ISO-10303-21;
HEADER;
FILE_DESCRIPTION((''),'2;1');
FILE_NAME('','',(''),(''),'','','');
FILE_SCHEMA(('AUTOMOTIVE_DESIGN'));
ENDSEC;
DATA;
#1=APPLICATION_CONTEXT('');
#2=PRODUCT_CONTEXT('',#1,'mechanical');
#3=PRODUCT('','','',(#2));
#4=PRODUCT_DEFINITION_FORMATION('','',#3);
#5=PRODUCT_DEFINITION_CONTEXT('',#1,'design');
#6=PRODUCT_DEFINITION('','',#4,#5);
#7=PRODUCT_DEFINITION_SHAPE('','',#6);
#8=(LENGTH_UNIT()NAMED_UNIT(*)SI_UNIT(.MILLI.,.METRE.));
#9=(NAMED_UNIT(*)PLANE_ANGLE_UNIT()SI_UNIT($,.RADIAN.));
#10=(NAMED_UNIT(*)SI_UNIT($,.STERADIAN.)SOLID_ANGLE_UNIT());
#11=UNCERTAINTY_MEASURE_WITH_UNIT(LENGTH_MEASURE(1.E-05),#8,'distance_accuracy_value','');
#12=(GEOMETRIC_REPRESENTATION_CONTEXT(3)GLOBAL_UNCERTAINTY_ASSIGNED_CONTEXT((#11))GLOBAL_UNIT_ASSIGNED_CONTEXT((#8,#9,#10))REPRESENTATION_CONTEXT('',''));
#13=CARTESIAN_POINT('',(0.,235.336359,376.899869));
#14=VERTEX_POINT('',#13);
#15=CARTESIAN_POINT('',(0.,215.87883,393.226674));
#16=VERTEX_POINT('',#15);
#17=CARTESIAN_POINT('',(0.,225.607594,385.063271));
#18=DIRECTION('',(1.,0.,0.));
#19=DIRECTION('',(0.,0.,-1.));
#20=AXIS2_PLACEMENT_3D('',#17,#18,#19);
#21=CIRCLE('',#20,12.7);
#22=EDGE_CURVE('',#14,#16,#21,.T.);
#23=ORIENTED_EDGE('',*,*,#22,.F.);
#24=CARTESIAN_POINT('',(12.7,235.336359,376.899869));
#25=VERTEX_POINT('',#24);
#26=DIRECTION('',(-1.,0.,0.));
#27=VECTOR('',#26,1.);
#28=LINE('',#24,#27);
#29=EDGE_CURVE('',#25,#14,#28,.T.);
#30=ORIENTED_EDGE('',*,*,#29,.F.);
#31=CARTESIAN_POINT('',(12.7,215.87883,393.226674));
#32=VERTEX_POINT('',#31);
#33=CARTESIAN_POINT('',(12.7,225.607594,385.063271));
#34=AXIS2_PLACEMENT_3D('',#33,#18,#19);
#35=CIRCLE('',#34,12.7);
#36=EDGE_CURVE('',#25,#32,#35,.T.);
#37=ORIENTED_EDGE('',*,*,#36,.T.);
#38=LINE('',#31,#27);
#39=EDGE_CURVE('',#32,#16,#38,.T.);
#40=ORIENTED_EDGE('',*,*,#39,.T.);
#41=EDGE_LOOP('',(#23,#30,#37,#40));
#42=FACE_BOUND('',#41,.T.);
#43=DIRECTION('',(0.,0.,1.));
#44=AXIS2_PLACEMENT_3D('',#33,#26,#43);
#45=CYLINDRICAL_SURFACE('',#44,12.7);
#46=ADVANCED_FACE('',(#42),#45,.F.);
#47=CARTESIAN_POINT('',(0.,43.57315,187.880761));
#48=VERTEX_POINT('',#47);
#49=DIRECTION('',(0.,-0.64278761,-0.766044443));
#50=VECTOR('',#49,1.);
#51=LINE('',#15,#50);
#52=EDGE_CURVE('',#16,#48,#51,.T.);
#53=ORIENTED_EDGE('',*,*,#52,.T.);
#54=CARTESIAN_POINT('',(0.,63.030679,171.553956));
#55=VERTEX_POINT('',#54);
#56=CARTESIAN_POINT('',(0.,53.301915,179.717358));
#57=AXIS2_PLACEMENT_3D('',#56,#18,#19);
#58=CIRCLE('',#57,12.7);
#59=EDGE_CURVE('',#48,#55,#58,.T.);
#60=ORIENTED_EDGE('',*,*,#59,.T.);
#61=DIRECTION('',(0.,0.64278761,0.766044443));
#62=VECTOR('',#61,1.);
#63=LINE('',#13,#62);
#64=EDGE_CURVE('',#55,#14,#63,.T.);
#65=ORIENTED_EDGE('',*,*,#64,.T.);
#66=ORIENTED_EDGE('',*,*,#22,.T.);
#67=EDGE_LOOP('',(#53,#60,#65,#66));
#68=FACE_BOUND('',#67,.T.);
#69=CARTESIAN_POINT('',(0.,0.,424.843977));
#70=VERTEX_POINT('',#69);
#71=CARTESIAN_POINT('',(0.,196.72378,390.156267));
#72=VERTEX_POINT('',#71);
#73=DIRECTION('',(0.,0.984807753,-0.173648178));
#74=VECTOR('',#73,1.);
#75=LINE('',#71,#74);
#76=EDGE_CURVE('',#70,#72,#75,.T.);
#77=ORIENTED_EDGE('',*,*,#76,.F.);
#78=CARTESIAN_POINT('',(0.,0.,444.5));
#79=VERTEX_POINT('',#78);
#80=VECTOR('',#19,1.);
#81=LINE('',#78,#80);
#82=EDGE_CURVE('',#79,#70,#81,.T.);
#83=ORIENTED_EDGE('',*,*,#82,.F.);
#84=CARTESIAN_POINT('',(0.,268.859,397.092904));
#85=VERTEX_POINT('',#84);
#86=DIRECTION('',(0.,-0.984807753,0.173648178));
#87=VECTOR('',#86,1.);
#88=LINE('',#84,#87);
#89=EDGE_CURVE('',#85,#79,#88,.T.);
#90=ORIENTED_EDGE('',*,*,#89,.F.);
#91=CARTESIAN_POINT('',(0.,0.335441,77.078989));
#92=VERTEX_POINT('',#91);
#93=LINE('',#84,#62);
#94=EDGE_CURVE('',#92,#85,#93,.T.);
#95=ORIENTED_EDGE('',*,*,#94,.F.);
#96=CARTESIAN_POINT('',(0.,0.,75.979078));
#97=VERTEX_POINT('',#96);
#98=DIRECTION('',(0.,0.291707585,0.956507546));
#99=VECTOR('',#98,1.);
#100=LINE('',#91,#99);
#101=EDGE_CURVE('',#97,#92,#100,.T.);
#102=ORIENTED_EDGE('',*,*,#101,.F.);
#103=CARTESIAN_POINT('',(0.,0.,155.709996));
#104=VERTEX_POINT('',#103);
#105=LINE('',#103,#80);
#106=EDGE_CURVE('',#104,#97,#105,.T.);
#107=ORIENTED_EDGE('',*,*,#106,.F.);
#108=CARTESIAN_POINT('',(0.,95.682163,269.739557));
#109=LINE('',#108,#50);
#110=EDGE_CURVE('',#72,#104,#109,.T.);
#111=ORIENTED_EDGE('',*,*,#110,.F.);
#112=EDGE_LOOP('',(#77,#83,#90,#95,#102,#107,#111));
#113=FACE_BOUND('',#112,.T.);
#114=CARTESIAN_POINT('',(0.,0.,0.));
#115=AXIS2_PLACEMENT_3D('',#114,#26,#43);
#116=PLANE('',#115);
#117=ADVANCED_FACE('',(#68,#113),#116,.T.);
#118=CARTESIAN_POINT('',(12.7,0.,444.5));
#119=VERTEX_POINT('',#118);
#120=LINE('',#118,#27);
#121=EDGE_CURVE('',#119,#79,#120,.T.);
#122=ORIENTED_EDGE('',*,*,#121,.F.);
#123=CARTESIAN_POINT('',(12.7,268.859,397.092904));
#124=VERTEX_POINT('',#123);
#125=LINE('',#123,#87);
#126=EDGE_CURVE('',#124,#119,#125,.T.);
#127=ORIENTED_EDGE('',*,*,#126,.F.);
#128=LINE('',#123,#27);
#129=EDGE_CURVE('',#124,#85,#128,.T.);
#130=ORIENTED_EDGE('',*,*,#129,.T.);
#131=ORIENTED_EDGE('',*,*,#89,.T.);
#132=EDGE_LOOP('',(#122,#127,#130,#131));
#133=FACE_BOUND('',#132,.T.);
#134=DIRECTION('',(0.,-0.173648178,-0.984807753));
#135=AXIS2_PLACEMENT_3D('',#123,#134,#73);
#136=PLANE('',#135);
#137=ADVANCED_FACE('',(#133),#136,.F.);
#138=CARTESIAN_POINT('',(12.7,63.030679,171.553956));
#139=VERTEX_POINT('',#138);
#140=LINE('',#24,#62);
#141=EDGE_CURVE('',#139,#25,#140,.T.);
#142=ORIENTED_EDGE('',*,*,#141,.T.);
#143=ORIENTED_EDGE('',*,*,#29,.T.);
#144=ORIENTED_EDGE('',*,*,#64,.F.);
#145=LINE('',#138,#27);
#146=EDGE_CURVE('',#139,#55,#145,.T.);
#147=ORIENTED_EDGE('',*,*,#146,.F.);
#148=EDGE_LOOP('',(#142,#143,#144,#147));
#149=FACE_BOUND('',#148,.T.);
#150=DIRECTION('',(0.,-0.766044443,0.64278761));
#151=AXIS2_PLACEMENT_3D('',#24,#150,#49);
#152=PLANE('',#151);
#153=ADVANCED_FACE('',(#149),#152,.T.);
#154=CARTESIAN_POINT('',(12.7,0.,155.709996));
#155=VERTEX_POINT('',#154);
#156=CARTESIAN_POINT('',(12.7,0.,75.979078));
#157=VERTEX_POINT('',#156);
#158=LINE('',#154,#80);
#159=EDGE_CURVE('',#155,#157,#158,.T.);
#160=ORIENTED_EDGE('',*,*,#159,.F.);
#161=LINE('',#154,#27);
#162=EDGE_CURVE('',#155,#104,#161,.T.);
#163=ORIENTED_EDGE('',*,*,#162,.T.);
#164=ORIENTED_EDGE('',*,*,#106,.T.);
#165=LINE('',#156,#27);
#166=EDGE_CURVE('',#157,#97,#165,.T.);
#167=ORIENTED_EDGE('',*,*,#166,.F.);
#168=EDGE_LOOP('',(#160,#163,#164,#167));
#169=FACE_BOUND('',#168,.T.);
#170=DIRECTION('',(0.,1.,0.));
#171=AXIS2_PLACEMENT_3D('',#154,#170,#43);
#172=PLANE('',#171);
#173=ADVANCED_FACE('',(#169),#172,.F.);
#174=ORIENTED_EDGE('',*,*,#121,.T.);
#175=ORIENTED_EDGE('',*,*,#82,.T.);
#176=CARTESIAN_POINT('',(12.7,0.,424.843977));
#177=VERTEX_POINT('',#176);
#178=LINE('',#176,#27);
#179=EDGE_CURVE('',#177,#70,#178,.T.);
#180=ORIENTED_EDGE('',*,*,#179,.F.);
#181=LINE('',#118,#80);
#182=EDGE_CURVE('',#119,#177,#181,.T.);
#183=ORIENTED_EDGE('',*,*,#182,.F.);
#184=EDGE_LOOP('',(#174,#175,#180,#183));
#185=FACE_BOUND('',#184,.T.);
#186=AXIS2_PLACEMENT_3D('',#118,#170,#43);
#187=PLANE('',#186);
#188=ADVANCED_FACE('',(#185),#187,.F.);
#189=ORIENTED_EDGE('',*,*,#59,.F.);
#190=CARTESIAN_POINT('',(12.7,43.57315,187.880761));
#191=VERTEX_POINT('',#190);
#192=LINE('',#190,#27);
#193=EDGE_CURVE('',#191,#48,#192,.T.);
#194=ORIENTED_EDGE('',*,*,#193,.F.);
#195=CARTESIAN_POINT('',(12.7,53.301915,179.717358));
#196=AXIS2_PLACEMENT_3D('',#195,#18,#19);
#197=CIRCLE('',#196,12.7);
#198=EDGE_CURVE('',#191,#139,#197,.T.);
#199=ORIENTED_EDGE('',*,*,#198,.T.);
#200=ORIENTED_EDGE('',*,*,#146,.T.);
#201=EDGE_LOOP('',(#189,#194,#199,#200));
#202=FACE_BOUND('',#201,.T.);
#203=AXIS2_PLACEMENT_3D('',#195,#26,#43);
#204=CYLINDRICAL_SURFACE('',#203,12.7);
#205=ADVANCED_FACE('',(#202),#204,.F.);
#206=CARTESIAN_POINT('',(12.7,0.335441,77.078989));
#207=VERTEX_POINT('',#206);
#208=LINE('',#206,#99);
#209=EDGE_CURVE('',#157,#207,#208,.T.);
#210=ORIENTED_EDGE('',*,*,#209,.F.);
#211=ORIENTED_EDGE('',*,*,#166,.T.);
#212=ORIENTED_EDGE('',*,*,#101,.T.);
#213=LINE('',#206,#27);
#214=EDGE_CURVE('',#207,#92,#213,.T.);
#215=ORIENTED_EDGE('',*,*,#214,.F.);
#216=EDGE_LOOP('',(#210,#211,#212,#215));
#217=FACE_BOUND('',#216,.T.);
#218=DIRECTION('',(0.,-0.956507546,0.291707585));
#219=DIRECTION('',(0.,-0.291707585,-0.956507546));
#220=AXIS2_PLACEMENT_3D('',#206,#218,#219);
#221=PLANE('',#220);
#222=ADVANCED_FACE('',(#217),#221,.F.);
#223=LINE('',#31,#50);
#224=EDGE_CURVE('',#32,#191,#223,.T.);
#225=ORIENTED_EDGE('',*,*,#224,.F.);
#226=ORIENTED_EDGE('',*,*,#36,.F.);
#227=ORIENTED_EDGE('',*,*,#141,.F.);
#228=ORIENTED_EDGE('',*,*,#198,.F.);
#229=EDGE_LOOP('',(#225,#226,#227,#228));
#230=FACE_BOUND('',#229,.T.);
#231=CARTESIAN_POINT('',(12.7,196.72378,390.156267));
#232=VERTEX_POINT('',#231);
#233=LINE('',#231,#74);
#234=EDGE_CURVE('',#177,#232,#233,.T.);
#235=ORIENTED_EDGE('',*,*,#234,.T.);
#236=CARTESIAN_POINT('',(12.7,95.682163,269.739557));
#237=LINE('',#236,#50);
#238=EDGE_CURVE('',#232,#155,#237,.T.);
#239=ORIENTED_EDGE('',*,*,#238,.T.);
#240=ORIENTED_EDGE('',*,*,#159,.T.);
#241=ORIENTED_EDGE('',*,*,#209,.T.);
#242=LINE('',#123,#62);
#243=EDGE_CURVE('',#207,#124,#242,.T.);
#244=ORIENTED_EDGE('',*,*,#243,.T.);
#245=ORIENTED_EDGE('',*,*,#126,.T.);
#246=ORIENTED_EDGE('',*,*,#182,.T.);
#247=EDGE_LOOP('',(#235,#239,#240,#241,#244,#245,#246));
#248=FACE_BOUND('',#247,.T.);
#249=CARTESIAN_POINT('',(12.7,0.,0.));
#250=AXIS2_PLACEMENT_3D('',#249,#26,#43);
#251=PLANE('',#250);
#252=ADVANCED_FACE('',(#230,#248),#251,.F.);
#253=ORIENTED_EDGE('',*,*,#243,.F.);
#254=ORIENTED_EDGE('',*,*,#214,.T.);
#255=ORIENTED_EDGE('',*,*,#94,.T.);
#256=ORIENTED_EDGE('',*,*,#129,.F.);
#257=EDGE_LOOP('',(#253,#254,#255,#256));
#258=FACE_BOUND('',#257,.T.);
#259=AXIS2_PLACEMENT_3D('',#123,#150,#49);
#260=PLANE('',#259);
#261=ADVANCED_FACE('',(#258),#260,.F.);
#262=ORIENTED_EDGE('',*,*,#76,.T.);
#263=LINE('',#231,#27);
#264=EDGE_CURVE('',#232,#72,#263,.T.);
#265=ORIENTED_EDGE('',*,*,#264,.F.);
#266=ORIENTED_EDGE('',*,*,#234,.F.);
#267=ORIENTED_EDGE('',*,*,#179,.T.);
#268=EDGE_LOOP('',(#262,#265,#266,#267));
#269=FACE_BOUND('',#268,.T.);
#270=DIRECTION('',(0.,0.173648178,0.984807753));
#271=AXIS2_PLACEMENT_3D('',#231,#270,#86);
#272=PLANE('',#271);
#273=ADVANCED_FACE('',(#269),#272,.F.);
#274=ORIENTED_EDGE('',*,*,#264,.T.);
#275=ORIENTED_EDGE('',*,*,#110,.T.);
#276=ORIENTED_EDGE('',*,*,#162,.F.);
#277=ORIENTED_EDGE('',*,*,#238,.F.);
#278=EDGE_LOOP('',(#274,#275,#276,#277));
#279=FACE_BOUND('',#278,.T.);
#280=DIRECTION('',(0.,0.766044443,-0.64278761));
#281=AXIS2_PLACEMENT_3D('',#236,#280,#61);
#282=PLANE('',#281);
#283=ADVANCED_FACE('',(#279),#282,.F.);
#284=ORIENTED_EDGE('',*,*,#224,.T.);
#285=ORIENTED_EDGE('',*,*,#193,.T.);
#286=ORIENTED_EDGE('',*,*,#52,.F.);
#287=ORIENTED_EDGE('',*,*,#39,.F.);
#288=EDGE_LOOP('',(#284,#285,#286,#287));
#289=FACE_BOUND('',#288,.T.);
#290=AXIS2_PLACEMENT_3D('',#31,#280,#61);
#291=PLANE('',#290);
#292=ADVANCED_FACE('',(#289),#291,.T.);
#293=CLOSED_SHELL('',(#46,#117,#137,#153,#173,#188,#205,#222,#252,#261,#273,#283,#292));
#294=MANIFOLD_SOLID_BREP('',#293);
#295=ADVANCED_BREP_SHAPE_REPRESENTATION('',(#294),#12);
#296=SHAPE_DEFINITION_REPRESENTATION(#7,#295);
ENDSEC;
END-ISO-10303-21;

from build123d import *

# Parameters (mm, degrees)
BOSS_EXTRUDE1_DEPTH = 12.7


with BuildPart() as part:
    # Sketch1 → Boss-Extrude1 (new body)
    with BuildSketch(Plane(origin=(0, 0, 0), x_dir=(0, 0, -1), z_dir=(1, 0, 0))):
        Polygon((-397.092904294, 268.859), (-444.5, 0), (-424.843977237, 0), (-390.15626708, 196.723779974), (-269.739557089, 95.682163033), (-155.709995547, 0), (-75.979077973, 0), (-77.07898874, 0.335441487), align=None)
        with BuildLine():
            Line((-376.899868673, 235.336358684), (-171.5539558, 63.030678928))
            ThreePointArc((-171.5539558, 63.030678928), (-169.988594016, 45.138511858), (-187.880761086, 43.573150073))
            Line((-187.880761086, 43.573150073), (-393.226673959, 215.878829829))
            ThreePointArc((-393.226673959, 215.878829829), (-394.792035744, 233.7709969), (-376.899868673, 235.336358684))
        make_face(mode=Mode.SUBTRACT)
    extrude(amount=BOSS_EXTRUDE1_DEPTH)


solid = part.part
